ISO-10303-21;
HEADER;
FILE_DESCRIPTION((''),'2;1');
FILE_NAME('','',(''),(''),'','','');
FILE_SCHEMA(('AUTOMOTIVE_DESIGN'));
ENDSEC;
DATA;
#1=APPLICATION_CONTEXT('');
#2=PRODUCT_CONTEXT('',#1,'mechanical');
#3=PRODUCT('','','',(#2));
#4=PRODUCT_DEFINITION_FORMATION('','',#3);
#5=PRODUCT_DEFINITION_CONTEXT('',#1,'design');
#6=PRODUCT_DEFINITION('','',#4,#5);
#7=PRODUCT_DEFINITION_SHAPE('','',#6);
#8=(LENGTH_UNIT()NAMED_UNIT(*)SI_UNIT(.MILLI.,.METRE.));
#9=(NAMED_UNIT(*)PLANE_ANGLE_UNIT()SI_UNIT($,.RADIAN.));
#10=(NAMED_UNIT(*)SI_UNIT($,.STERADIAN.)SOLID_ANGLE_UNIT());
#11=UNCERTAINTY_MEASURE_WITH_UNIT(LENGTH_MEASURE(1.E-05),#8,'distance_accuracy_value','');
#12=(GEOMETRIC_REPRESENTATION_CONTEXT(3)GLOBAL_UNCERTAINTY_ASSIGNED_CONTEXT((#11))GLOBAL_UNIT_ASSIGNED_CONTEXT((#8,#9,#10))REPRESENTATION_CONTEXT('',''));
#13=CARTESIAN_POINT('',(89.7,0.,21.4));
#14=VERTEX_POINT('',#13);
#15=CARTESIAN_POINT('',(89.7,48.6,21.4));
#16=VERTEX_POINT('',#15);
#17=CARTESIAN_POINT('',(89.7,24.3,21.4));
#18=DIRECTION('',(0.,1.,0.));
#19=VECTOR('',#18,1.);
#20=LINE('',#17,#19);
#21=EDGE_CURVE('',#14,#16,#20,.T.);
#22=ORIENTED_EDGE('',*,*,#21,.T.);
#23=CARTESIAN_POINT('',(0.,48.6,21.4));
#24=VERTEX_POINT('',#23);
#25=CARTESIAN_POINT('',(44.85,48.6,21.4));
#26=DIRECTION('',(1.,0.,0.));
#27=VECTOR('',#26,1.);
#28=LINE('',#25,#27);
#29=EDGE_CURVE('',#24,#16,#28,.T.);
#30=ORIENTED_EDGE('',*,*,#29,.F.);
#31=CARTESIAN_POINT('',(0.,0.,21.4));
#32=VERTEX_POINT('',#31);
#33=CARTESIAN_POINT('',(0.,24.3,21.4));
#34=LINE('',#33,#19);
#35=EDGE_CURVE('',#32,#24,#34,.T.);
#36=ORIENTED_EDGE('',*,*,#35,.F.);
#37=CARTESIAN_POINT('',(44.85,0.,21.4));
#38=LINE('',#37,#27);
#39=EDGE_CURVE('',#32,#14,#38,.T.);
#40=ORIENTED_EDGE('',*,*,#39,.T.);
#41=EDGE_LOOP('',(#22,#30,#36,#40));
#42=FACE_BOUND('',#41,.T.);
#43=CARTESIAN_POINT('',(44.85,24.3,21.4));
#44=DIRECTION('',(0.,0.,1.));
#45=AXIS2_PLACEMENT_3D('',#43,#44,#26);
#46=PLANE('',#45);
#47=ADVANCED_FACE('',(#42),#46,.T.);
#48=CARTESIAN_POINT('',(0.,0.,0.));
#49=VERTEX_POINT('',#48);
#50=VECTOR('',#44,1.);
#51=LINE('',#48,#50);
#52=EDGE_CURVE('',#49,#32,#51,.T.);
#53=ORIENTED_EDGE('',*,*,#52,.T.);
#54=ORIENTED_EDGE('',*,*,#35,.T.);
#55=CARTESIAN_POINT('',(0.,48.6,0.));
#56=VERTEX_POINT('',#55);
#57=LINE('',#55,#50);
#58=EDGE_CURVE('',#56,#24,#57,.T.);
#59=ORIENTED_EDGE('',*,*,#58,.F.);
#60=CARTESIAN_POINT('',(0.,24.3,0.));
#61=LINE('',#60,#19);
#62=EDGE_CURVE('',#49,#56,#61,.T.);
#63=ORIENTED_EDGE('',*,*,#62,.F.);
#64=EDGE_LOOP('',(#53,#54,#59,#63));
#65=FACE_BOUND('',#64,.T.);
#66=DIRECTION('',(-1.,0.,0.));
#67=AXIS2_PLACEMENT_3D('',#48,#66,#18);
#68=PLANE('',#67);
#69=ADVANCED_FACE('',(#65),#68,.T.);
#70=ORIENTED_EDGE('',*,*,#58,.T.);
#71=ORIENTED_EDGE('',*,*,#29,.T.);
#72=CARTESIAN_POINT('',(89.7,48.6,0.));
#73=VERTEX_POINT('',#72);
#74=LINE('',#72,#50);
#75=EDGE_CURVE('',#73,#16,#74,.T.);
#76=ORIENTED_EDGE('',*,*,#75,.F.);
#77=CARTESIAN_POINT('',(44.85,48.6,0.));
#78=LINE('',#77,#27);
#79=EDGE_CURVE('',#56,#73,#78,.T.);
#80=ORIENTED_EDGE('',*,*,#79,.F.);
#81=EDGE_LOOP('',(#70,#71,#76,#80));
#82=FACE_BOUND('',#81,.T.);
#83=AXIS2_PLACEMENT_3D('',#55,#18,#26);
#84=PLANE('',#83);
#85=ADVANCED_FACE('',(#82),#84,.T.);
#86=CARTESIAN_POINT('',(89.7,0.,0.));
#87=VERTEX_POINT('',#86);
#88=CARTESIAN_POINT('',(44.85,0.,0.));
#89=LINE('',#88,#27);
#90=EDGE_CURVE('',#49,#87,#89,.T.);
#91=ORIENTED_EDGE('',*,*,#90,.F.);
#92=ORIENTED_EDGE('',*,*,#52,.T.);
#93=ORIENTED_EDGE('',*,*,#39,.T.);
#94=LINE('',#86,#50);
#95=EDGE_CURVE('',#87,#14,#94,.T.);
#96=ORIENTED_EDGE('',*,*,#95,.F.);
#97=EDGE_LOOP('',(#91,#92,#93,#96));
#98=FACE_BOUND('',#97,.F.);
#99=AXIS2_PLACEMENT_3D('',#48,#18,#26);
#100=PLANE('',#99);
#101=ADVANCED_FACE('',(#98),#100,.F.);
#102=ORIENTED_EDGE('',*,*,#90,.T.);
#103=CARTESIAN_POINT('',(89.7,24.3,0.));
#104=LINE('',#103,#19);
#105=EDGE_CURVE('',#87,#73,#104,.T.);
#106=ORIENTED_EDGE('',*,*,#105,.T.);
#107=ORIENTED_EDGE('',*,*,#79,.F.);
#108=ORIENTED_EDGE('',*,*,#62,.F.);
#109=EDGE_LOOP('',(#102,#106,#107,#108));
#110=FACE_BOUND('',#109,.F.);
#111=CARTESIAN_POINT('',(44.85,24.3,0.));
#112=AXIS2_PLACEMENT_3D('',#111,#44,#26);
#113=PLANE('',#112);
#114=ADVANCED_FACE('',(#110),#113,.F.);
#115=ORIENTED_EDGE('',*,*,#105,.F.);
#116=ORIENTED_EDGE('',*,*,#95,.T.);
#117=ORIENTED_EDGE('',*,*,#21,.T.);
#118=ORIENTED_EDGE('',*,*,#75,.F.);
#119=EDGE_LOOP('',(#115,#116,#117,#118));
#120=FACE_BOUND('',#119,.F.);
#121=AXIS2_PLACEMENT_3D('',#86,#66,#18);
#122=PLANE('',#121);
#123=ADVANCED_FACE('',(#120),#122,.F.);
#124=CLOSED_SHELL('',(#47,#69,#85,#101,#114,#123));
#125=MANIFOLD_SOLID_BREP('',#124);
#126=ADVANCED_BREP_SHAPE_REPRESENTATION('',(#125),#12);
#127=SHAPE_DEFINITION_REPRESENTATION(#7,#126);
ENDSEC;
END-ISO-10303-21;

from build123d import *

# Parameters (mm, degrees)
BOX_W     = 89.7
BOX_H     = 48.6
BOX_DEPTH = 21.4


with BuildPart() as part:
    # Box → Box (new body)
    with BuildSketch(Plane.XY):
        with Locations((44.85, 24.3)):
            Rectangle(BOX_W, BOX_H)
    extrude(amount=BOX_DEPTH)


solid = part.part
